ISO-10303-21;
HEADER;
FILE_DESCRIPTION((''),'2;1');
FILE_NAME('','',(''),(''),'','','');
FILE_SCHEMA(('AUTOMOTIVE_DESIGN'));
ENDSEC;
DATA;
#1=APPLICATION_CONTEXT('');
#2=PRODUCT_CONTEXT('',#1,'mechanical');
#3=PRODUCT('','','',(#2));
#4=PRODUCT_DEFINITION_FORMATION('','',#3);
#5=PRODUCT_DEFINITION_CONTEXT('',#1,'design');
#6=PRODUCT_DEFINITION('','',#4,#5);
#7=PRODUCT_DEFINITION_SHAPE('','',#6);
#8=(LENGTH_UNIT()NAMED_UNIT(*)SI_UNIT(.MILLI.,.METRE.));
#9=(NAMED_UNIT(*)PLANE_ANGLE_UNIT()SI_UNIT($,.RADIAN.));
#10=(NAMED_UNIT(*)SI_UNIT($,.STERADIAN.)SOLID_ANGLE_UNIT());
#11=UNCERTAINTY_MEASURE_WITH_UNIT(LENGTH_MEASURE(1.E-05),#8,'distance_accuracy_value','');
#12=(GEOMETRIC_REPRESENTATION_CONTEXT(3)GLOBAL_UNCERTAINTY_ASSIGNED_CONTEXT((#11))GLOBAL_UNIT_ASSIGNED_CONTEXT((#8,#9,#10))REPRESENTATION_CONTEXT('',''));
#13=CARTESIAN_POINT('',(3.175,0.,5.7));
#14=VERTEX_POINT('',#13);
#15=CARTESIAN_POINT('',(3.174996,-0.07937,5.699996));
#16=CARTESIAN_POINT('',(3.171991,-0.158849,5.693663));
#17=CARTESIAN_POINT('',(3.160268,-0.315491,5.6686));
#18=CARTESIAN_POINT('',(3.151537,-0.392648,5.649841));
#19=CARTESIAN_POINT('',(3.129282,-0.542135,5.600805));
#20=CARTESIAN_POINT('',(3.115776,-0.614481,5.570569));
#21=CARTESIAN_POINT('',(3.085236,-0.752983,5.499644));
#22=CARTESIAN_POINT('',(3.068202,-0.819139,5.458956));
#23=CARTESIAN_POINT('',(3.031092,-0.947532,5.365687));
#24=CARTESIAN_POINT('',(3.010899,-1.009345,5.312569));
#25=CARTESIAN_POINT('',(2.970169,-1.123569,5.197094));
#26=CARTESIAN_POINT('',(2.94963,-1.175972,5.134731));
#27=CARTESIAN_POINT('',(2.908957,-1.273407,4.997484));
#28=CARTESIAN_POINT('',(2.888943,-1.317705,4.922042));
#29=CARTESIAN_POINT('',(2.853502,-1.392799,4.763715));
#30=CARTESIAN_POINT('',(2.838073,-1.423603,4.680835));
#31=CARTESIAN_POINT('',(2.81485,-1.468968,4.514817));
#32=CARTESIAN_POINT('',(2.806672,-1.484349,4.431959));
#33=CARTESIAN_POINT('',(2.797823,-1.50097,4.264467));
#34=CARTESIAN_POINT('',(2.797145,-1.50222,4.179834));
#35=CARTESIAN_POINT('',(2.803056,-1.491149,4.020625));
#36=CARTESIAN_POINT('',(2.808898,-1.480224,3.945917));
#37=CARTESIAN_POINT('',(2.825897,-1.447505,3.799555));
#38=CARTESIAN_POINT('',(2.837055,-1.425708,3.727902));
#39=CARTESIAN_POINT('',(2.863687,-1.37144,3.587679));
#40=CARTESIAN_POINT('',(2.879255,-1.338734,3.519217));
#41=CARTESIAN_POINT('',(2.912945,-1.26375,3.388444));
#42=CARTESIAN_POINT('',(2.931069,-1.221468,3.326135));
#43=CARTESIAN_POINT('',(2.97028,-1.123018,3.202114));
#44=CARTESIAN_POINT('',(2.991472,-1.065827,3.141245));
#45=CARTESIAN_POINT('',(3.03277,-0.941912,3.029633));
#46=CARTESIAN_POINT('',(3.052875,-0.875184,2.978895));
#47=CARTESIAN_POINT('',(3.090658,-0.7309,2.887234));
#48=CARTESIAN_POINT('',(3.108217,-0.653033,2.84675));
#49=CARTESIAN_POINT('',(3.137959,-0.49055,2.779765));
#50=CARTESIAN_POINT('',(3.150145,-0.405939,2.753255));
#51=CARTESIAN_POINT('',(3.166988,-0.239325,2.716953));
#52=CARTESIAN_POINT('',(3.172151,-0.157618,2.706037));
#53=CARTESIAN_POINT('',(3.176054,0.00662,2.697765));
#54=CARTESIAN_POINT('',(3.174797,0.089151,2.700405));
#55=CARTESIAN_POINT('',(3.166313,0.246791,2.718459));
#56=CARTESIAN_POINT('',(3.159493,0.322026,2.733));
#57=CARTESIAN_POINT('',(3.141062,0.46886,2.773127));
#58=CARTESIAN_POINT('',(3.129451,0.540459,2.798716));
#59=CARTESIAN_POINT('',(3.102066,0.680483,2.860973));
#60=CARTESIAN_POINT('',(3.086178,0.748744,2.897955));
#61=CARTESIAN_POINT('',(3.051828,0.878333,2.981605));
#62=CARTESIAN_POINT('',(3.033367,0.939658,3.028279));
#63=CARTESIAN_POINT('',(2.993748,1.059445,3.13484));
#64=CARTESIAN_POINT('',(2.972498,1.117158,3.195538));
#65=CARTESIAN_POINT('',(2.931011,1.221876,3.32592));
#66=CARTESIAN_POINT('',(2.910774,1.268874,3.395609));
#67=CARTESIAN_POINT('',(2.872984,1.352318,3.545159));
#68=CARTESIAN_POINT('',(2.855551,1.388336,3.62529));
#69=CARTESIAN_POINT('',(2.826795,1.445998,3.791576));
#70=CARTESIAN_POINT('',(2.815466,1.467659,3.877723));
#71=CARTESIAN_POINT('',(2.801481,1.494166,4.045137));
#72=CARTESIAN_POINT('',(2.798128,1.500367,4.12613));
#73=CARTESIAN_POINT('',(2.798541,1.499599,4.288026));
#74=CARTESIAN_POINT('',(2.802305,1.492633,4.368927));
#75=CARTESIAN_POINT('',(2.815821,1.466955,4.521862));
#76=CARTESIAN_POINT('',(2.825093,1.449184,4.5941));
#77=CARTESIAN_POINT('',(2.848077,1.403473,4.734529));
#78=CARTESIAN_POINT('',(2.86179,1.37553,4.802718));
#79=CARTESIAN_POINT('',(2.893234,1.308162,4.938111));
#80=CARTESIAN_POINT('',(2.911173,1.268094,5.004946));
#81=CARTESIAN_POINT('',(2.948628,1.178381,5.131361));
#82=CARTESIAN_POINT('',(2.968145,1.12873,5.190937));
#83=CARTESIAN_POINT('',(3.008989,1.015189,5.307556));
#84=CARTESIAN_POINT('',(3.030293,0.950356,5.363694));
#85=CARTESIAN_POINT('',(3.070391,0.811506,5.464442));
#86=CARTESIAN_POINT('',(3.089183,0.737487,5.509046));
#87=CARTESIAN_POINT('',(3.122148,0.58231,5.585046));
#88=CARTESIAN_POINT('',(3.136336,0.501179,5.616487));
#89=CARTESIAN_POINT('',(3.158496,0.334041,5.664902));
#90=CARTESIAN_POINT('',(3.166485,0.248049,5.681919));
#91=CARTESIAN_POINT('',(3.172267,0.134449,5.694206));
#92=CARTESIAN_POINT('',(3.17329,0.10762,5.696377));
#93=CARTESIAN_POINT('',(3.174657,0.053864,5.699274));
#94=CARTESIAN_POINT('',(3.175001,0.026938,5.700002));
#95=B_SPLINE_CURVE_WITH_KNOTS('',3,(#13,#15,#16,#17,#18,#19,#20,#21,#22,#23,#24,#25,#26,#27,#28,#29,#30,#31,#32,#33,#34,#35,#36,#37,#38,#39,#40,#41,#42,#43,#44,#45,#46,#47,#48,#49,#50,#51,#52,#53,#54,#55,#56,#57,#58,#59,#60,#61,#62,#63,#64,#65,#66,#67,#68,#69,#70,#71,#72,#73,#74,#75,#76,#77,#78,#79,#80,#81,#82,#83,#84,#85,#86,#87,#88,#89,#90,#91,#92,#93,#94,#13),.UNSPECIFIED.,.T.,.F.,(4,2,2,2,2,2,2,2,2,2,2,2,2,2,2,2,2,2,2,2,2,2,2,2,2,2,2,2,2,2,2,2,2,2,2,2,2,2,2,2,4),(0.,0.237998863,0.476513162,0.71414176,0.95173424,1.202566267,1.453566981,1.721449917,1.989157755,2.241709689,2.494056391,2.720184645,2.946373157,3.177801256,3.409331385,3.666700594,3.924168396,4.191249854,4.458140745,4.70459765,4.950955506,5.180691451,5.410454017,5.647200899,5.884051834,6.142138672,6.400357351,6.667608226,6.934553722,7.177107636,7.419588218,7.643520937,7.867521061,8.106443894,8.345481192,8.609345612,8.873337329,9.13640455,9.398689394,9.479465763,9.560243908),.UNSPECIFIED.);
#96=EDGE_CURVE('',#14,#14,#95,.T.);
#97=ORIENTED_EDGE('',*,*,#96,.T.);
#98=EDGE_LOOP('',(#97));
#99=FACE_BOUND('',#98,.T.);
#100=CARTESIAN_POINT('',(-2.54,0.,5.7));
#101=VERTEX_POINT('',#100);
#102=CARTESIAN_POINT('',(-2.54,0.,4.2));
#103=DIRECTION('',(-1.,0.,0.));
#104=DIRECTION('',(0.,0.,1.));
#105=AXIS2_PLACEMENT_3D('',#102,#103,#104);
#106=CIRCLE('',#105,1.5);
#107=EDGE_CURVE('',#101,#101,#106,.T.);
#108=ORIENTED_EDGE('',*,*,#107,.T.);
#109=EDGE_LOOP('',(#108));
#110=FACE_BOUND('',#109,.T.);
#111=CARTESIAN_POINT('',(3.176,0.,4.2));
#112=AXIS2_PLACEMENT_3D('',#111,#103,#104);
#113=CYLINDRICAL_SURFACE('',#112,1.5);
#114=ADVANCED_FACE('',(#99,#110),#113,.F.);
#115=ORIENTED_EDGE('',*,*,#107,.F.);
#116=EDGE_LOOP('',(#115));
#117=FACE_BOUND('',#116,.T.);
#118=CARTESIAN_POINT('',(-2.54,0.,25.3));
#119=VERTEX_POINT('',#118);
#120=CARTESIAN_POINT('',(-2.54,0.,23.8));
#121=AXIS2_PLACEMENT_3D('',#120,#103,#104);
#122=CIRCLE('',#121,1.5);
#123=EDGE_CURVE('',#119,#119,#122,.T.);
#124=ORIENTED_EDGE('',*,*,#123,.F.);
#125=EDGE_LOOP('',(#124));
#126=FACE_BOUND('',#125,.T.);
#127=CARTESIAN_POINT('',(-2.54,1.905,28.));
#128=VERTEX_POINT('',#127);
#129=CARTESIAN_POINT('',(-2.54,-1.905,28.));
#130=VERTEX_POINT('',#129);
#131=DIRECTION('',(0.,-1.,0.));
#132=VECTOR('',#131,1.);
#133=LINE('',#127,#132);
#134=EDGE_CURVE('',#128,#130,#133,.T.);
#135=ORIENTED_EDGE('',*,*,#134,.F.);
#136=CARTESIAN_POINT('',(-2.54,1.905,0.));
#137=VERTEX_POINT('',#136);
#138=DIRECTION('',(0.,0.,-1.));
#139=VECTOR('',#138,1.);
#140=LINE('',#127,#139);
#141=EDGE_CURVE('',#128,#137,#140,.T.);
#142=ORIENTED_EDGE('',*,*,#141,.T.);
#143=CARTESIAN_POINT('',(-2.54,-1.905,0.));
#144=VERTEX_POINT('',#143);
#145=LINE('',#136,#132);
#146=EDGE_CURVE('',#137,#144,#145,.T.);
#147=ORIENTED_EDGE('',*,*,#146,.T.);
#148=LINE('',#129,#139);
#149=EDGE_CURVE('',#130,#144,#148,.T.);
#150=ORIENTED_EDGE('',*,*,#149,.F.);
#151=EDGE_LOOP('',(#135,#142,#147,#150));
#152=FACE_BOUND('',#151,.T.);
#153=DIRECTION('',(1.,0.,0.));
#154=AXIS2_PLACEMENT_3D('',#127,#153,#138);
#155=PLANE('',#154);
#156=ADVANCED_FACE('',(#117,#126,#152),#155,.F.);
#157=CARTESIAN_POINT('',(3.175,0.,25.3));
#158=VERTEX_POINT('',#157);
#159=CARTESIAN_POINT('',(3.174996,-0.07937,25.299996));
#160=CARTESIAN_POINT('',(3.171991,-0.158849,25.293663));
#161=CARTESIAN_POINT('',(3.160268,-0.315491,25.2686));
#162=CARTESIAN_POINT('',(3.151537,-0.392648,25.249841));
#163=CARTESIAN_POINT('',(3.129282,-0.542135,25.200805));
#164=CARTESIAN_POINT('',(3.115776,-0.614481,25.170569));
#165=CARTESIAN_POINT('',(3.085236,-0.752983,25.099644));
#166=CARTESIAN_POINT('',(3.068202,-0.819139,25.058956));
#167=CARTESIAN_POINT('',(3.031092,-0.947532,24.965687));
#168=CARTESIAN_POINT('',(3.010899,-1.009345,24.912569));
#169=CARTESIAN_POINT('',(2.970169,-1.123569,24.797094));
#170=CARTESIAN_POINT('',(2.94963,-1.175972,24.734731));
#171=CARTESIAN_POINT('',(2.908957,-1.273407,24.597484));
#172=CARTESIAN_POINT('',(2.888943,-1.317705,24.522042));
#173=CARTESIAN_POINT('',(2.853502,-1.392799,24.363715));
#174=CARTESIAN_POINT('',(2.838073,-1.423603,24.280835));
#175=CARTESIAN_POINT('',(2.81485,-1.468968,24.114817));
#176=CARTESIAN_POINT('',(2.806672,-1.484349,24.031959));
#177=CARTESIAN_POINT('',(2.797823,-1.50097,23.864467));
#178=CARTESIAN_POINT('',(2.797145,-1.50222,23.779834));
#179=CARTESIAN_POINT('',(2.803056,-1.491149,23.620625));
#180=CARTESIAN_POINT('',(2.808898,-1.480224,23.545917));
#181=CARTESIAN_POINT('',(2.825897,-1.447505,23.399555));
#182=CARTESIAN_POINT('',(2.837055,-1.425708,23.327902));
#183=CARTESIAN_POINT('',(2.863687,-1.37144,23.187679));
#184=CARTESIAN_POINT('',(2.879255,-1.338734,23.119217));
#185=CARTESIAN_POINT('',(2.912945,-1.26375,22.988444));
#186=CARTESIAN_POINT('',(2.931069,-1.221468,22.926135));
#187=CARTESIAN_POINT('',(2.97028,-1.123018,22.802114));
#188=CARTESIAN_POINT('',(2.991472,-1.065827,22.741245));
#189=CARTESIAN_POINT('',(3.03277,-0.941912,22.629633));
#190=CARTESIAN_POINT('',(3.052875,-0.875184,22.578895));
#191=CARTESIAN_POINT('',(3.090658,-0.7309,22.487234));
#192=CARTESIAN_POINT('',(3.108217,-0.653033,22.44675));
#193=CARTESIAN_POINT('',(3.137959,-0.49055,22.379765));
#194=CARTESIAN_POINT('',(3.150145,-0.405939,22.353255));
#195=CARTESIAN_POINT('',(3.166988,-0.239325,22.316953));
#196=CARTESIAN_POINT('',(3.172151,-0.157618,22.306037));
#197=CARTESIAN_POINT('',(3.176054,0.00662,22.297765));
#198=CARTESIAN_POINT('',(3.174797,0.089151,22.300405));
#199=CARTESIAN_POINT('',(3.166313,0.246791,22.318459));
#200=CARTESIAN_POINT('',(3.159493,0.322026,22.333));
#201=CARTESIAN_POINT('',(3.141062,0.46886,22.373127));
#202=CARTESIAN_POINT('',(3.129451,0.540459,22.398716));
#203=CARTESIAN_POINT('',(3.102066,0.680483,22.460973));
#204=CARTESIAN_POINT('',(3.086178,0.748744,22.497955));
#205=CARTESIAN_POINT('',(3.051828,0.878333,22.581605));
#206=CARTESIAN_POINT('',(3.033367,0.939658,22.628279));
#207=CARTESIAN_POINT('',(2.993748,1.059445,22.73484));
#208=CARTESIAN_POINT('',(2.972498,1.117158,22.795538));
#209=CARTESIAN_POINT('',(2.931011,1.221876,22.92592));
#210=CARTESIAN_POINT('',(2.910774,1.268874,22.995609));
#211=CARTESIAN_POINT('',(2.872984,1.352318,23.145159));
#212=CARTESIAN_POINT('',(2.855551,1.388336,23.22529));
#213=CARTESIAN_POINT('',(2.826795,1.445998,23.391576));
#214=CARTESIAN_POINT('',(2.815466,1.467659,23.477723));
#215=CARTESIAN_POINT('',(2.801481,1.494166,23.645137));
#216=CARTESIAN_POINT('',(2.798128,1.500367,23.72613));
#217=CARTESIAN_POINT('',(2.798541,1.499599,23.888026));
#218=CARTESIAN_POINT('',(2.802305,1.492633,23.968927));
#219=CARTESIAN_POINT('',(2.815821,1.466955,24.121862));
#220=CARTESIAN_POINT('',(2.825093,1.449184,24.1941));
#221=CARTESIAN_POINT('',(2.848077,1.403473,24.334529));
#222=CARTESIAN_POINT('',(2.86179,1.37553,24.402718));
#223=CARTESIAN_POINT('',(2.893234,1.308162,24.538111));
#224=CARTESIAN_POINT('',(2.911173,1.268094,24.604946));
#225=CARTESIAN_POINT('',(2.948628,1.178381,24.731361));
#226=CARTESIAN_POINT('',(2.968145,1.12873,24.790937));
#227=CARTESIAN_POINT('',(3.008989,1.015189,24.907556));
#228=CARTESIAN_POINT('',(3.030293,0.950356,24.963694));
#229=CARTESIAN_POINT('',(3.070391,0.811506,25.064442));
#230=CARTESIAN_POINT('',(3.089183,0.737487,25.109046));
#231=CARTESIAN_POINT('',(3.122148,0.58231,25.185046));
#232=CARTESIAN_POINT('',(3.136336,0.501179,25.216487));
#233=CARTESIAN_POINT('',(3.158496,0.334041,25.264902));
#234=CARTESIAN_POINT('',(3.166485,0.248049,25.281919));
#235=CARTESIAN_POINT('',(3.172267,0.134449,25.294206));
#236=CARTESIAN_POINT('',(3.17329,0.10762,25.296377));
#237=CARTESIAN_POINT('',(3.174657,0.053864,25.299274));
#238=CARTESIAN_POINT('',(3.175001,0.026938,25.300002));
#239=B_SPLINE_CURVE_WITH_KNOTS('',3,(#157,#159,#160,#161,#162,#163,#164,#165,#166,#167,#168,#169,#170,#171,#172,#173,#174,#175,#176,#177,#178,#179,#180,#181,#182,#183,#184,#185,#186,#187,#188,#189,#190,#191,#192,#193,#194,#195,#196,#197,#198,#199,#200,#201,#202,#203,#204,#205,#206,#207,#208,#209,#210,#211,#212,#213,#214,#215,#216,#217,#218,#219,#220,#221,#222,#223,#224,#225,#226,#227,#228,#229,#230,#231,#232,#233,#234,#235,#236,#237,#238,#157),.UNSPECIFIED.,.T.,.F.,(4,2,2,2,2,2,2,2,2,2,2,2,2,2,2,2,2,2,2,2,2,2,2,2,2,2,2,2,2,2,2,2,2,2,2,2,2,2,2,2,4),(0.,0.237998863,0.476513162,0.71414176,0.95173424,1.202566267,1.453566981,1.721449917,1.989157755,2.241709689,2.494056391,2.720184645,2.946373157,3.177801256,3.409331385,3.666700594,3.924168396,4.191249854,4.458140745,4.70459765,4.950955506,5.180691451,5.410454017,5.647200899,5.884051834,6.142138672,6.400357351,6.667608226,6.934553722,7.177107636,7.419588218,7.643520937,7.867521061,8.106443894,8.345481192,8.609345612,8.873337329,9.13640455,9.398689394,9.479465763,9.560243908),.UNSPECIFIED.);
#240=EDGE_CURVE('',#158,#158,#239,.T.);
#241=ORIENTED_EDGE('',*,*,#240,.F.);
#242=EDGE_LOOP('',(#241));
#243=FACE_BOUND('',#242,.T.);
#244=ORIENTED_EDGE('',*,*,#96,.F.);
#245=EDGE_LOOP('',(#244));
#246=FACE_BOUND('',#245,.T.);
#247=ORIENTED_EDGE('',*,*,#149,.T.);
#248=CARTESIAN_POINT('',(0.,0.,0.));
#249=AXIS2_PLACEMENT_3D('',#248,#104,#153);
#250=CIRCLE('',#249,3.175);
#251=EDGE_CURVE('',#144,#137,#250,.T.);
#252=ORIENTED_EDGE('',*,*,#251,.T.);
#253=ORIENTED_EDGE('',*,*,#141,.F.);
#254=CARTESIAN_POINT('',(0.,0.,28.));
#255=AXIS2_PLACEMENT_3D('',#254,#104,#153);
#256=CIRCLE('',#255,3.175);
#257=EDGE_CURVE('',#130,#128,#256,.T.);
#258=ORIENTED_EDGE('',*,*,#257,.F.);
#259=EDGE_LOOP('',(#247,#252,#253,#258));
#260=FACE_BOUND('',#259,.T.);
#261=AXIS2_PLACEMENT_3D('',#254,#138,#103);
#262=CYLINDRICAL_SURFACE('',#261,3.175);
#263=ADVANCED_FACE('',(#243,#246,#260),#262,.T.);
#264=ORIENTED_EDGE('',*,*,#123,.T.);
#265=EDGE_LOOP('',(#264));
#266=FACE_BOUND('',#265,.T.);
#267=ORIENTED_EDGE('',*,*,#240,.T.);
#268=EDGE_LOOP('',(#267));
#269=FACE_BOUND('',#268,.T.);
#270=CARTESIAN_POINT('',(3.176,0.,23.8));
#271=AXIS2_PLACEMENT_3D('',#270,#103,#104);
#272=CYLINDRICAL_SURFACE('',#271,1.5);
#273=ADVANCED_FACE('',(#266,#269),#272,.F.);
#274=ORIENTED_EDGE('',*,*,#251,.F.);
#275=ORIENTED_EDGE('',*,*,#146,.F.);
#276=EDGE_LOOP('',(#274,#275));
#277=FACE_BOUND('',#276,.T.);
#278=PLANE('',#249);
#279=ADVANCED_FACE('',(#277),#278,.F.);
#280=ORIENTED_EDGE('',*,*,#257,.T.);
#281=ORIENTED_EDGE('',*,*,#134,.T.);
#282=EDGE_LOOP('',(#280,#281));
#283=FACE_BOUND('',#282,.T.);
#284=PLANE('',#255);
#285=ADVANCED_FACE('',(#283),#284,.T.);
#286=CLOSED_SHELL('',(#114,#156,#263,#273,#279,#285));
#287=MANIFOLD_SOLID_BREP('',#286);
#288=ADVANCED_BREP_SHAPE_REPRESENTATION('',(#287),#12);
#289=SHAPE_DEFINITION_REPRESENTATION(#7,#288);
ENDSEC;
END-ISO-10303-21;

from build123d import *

# Parameters (mm, degrees)
BOSS_EXTRUDE1_DEPTH     = 28
CUT_EXTRUDE1_REACH      = 30.753
CUT_EXTRUDE1_END_RADIUS = 3.175
SKETCH3_R               = 1.5


with BuildPart() as part:
    # Sketch1 → Boss-Extrude1 (new body)
    with BuildSketch(Plane.XY):
        with BuildLine():
            Line((-2.54, 1.905), (-2.54, -1.905))
            ThreePointArc((-2.54, -1.905), (3.175, 0), (-2.54, 1.905))
        make_face()
    extrude(amount=BOSS_EXTRUDE1_DEPTH)

    # Cut-Extrude1: up to this cylinder (the profile starts inside it)
    cut_extrude1_end = Plane(origin=(0, 0, 14), z_dir=(0, 0, -1)) * Cylinder(CUT_EXTRUDE1_END_RADIUS, 88.456, mode=Mode.PRIVATE)
    # Sketch3 → Cut-Extrude1 (cut, up to the surface)
    with BuildSketch(Plane.ZY.offset(2.54), mode=Mode.PRIVATE) as cut_extrude1_sk1:
        with Locations((4.2, 0)):
            Circle(SKETCH3_R)
    cut_extrude1_tool1 = extrude(cut_extrude1_sk1.sketch, amount=-CUT_EXTRUDE1_REACH, mode=Mode.PRIVATE) & cut_extrude1_end
    add(cut_extrude1_tool1.solids().sort_by_distance((-2.54, 0, 4.2))[0], mode=Mode.SUBTRACT)
    # Sketch3 → Cut-Extrude1 (cut, up to the surface)
    with BuildSketch(Plane.ZY.offset(2.54), mode=Mode.PRIVATE) as cut_extrude1_sk2:
        with Locations((23.8, 0)):
            Circle(SKETCH3_R)
    cut_extrude1_tool2 = extrude(cut_extrude1_sk2.sketch, amount=-CUT_EXTRUDE1_REACH, mode=Mode.PRIVATE) & cut_extrude1_end
    add(cut_extrude1_tool2.solids().sort_by_distance((-2.54, 0, 23.8))[0], mode=Mode.SUBTRACT)


solid = part.part
